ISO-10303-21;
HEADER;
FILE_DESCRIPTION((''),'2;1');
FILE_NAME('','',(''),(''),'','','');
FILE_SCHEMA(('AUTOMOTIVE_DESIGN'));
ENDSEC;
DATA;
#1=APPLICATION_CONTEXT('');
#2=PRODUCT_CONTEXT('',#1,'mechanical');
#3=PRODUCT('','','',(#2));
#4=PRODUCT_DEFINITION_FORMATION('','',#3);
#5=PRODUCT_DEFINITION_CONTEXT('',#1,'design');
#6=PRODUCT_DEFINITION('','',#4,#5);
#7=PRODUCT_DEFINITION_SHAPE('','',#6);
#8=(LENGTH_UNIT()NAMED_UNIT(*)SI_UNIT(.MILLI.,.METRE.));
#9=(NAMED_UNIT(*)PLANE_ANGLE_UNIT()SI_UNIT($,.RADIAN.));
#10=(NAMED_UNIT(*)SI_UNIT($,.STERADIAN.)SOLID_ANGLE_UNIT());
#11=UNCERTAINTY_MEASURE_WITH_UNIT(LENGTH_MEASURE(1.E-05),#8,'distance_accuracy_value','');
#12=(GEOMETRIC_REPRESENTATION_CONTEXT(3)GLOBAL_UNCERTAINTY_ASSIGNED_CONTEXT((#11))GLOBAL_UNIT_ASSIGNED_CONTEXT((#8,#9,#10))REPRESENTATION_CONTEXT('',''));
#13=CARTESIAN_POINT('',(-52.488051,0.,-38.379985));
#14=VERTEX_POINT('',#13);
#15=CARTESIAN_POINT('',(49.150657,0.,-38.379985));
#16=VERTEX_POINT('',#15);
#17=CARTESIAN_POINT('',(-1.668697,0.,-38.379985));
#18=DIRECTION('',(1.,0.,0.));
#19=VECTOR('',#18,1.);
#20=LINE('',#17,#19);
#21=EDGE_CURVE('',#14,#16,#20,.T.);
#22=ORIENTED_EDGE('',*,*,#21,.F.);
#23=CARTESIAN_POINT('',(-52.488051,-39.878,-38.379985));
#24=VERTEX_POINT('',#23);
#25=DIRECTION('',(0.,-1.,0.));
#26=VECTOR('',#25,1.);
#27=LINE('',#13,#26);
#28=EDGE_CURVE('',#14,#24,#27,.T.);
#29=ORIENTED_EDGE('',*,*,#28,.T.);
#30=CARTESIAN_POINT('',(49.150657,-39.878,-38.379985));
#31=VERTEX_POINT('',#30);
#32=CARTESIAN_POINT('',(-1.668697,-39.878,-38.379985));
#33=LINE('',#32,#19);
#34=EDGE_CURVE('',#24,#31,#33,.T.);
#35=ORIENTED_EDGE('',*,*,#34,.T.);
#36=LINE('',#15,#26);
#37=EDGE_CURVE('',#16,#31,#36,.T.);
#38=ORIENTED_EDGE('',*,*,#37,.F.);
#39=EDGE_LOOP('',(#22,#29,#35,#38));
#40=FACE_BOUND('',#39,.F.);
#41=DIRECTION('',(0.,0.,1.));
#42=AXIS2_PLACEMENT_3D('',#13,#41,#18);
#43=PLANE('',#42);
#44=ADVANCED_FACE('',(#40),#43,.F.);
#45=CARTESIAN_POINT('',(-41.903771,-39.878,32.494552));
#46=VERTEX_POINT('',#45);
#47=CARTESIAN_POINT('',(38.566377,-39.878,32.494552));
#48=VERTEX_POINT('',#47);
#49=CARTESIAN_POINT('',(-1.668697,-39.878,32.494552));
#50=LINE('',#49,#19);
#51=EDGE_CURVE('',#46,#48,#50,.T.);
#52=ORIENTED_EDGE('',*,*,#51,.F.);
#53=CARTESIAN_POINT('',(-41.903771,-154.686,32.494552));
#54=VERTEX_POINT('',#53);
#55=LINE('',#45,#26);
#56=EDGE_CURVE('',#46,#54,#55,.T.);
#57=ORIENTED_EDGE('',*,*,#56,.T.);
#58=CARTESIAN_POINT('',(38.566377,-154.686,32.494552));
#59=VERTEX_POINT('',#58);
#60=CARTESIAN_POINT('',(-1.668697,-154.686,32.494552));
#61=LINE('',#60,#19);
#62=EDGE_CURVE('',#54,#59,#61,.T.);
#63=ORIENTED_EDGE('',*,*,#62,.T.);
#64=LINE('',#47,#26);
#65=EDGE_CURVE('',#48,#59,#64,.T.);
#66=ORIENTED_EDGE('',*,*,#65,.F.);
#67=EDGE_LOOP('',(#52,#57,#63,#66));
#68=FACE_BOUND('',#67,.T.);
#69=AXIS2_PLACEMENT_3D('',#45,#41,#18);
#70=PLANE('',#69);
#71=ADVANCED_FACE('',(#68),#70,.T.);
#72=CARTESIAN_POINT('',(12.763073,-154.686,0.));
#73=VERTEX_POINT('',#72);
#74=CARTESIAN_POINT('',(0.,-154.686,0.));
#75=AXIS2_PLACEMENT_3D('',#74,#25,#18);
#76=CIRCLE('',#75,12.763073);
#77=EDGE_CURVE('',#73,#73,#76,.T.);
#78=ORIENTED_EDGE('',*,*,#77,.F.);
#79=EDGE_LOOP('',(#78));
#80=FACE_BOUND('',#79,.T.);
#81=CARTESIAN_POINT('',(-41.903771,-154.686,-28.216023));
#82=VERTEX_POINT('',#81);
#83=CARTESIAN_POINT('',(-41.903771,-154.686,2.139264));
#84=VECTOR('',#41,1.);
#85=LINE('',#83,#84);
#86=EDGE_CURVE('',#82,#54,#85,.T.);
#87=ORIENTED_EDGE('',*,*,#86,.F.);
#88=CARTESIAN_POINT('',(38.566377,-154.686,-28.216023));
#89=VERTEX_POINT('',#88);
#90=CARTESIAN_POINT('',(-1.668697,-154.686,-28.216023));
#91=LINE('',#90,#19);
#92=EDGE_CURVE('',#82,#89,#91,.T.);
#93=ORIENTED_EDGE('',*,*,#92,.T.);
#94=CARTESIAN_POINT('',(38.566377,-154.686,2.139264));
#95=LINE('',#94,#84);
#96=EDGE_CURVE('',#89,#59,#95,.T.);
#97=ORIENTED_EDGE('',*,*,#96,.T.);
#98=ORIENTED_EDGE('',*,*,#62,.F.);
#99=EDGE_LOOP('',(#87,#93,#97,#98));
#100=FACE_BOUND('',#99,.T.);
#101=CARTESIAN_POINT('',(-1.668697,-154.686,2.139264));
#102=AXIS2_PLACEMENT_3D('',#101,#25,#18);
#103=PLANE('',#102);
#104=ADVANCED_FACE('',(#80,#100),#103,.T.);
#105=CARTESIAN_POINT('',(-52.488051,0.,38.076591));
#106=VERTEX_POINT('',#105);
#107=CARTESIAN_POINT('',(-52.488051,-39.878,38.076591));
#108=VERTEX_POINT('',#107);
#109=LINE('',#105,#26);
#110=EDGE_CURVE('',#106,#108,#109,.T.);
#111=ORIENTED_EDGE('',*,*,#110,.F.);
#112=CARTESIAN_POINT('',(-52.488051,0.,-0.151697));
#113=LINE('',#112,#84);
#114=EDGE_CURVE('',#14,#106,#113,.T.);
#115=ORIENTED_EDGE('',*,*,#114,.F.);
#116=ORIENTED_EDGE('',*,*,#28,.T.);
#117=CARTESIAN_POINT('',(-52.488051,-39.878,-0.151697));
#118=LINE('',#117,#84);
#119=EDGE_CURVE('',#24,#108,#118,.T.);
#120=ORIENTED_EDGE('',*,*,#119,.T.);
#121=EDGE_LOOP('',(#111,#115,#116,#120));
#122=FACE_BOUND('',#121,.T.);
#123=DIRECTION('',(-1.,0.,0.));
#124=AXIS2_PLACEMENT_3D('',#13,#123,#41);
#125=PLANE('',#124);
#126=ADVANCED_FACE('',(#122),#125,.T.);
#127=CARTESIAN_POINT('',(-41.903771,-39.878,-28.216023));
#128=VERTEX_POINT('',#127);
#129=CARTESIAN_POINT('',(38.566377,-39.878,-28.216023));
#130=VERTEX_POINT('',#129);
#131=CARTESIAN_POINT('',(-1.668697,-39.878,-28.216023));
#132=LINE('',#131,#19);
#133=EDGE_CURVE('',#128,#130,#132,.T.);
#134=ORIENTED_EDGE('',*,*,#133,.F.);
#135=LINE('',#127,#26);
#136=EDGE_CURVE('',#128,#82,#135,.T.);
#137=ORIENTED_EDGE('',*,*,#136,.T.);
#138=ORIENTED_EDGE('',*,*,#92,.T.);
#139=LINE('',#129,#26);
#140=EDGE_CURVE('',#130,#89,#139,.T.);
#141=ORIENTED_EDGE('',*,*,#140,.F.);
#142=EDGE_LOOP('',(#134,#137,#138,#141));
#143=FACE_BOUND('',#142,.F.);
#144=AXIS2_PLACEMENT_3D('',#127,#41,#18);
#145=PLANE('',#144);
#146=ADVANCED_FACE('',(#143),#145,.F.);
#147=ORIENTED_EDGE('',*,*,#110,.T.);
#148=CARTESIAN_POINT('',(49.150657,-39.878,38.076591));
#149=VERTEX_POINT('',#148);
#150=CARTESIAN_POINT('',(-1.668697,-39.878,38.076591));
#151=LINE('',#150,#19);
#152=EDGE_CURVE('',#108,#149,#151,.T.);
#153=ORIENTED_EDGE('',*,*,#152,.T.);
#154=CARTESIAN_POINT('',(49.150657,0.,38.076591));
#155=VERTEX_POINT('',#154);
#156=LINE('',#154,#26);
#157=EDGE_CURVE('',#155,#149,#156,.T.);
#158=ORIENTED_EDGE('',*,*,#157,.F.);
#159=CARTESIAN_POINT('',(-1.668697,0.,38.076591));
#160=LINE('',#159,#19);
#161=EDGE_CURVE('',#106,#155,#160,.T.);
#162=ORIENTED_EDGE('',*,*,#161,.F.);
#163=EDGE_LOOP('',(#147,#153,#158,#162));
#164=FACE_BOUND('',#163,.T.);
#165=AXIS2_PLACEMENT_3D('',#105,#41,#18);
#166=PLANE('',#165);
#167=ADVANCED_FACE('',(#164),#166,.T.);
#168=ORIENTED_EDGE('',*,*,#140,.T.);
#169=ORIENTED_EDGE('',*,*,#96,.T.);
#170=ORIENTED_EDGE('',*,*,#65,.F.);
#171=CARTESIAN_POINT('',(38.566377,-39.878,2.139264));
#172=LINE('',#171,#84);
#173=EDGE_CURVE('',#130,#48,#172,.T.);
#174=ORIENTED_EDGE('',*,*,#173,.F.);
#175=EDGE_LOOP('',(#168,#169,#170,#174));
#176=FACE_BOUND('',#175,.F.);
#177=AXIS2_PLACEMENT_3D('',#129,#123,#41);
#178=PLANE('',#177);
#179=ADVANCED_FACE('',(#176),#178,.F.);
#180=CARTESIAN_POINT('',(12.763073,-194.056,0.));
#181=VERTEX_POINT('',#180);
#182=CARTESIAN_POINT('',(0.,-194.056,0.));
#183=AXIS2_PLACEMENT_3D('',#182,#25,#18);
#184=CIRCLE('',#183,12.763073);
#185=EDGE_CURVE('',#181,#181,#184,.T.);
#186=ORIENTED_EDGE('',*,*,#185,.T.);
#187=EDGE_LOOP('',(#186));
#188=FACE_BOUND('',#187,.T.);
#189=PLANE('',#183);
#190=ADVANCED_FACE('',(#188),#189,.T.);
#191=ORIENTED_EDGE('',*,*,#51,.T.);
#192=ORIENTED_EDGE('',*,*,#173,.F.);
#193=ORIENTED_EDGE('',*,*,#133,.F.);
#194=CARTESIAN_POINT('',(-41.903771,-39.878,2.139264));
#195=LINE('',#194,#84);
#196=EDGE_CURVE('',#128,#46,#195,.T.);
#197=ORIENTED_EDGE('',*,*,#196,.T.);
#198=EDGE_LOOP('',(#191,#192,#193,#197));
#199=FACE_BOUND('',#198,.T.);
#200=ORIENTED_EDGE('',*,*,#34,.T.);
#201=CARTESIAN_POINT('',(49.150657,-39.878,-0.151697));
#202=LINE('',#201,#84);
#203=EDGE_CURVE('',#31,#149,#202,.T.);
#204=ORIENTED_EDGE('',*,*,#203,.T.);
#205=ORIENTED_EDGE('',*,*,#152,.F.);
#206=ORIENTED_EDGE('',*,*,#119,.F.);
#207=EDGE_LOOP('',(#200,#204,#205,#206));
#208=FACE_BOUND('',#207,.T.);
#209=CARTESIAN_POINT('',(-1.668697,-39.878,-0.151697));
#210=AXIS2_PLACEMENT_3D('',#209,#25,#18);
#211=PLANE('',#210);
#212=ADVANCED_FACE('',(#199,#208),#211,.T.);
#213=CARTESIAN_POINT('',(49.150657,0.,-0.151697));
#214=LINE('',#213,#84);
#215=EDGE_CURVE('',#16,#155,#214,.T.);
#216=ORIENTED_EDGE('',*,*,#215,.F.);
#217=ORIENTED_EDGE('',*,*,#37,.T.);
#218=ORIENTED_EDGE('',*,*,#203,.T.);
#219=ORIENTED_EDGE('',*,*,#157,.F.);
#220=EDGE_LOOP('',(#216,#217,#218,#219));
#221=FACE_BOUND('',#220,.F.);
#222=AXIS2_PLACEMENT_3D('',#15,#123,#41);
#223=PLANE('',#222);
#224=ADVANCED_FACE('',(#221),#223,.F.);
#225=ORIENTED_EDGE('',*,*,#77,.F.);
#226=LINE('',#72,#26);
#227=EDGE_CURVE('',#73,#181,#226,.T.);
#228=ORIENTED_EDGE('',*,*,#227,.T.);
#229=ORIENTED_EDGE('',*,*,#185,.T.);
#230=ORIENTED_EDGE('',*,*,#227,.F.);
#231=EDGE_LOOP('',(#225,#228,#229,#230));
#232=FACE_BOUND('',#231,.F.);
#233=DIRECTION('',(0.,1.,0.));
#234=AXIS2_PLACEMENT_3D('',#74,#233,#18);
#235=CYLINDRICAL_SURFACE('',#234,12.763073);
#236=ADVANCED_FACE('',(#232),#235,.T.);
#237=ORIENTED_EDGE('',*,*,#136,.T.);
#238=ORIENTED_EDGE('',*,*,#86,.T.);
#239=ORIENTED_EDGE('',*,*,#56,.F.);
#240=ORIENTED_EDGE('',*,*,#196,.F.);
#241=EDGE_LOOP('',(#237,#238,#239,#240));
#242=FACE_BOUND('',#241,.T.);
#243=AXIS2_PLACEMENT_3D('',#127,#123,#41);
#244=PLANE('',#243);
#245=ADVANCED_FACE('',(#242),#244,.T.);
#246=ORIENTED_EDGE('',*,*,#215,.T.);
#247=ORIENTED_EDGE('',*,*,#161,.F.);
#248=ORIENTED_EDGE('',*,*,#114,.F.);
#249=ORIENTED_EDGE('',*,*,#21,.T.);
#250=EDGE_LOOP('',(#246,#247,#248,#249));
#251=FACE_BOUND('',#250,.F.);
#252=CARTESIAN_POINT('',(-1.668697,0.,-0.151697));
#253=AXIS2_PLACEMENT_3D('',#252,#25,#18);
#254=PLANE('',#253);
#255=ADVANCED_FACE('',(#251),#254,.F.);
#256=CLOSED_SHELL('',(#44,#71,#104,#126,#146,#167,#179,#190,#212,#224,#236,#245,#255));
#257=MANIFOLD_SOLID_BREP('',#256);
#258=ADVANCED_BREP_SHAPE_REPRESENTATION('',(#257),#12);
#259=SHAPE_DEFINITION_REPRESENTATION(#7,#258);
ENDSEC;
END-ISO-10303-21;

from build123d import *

# Parameters (mm, degrees)
F0_W     = 101.638708
F0_H     = 76.456577
F1_DEPTH = 39.878
F2_W     = 80.470148
F2_H     = 60.710575
F3_DEPTH = 114.808
F4_R     = 12.763073
F5_DEPTH = 39.37
F6_W     = 52.336872
F6_H     = 92.136786
F7_DEPTH = 27.94


with BuildPart() as f1:
    # F0 (on Front) → F1 (new body)
    with BuildSketch(Plane.XZ):
        with Locations((-1.668697, -0.151697)):
            Rectangle(F0_W, F0_H)
    extrude(amount=F1_DEPTH)

    # F2 (on face) → F3 (join)
    with BuildSketch(Plane.XZ.offset(39.878)):
        with Locations((-1.668697, 2.139264)):
            Rectangle(F2_W, F2_H)
    extrude(amount=F3_DEPTH)

    # F4 (on face) → F5 (join)
    with BuildSketch(Plane.XZ.offset(154.686)):
        Circle(F4_R)
    extrude(amount=F5_DEPTH)

    # F6 (on face) → F7 (join)
    with BuildSketch(Plane.XY.offset(32.494552)):
        with Locations((-0.389457, -95.996715)):
            Rectangle(F6_W, F6_H)
    extrude(amount=-F7_DEPTH)


solid = f1.part
